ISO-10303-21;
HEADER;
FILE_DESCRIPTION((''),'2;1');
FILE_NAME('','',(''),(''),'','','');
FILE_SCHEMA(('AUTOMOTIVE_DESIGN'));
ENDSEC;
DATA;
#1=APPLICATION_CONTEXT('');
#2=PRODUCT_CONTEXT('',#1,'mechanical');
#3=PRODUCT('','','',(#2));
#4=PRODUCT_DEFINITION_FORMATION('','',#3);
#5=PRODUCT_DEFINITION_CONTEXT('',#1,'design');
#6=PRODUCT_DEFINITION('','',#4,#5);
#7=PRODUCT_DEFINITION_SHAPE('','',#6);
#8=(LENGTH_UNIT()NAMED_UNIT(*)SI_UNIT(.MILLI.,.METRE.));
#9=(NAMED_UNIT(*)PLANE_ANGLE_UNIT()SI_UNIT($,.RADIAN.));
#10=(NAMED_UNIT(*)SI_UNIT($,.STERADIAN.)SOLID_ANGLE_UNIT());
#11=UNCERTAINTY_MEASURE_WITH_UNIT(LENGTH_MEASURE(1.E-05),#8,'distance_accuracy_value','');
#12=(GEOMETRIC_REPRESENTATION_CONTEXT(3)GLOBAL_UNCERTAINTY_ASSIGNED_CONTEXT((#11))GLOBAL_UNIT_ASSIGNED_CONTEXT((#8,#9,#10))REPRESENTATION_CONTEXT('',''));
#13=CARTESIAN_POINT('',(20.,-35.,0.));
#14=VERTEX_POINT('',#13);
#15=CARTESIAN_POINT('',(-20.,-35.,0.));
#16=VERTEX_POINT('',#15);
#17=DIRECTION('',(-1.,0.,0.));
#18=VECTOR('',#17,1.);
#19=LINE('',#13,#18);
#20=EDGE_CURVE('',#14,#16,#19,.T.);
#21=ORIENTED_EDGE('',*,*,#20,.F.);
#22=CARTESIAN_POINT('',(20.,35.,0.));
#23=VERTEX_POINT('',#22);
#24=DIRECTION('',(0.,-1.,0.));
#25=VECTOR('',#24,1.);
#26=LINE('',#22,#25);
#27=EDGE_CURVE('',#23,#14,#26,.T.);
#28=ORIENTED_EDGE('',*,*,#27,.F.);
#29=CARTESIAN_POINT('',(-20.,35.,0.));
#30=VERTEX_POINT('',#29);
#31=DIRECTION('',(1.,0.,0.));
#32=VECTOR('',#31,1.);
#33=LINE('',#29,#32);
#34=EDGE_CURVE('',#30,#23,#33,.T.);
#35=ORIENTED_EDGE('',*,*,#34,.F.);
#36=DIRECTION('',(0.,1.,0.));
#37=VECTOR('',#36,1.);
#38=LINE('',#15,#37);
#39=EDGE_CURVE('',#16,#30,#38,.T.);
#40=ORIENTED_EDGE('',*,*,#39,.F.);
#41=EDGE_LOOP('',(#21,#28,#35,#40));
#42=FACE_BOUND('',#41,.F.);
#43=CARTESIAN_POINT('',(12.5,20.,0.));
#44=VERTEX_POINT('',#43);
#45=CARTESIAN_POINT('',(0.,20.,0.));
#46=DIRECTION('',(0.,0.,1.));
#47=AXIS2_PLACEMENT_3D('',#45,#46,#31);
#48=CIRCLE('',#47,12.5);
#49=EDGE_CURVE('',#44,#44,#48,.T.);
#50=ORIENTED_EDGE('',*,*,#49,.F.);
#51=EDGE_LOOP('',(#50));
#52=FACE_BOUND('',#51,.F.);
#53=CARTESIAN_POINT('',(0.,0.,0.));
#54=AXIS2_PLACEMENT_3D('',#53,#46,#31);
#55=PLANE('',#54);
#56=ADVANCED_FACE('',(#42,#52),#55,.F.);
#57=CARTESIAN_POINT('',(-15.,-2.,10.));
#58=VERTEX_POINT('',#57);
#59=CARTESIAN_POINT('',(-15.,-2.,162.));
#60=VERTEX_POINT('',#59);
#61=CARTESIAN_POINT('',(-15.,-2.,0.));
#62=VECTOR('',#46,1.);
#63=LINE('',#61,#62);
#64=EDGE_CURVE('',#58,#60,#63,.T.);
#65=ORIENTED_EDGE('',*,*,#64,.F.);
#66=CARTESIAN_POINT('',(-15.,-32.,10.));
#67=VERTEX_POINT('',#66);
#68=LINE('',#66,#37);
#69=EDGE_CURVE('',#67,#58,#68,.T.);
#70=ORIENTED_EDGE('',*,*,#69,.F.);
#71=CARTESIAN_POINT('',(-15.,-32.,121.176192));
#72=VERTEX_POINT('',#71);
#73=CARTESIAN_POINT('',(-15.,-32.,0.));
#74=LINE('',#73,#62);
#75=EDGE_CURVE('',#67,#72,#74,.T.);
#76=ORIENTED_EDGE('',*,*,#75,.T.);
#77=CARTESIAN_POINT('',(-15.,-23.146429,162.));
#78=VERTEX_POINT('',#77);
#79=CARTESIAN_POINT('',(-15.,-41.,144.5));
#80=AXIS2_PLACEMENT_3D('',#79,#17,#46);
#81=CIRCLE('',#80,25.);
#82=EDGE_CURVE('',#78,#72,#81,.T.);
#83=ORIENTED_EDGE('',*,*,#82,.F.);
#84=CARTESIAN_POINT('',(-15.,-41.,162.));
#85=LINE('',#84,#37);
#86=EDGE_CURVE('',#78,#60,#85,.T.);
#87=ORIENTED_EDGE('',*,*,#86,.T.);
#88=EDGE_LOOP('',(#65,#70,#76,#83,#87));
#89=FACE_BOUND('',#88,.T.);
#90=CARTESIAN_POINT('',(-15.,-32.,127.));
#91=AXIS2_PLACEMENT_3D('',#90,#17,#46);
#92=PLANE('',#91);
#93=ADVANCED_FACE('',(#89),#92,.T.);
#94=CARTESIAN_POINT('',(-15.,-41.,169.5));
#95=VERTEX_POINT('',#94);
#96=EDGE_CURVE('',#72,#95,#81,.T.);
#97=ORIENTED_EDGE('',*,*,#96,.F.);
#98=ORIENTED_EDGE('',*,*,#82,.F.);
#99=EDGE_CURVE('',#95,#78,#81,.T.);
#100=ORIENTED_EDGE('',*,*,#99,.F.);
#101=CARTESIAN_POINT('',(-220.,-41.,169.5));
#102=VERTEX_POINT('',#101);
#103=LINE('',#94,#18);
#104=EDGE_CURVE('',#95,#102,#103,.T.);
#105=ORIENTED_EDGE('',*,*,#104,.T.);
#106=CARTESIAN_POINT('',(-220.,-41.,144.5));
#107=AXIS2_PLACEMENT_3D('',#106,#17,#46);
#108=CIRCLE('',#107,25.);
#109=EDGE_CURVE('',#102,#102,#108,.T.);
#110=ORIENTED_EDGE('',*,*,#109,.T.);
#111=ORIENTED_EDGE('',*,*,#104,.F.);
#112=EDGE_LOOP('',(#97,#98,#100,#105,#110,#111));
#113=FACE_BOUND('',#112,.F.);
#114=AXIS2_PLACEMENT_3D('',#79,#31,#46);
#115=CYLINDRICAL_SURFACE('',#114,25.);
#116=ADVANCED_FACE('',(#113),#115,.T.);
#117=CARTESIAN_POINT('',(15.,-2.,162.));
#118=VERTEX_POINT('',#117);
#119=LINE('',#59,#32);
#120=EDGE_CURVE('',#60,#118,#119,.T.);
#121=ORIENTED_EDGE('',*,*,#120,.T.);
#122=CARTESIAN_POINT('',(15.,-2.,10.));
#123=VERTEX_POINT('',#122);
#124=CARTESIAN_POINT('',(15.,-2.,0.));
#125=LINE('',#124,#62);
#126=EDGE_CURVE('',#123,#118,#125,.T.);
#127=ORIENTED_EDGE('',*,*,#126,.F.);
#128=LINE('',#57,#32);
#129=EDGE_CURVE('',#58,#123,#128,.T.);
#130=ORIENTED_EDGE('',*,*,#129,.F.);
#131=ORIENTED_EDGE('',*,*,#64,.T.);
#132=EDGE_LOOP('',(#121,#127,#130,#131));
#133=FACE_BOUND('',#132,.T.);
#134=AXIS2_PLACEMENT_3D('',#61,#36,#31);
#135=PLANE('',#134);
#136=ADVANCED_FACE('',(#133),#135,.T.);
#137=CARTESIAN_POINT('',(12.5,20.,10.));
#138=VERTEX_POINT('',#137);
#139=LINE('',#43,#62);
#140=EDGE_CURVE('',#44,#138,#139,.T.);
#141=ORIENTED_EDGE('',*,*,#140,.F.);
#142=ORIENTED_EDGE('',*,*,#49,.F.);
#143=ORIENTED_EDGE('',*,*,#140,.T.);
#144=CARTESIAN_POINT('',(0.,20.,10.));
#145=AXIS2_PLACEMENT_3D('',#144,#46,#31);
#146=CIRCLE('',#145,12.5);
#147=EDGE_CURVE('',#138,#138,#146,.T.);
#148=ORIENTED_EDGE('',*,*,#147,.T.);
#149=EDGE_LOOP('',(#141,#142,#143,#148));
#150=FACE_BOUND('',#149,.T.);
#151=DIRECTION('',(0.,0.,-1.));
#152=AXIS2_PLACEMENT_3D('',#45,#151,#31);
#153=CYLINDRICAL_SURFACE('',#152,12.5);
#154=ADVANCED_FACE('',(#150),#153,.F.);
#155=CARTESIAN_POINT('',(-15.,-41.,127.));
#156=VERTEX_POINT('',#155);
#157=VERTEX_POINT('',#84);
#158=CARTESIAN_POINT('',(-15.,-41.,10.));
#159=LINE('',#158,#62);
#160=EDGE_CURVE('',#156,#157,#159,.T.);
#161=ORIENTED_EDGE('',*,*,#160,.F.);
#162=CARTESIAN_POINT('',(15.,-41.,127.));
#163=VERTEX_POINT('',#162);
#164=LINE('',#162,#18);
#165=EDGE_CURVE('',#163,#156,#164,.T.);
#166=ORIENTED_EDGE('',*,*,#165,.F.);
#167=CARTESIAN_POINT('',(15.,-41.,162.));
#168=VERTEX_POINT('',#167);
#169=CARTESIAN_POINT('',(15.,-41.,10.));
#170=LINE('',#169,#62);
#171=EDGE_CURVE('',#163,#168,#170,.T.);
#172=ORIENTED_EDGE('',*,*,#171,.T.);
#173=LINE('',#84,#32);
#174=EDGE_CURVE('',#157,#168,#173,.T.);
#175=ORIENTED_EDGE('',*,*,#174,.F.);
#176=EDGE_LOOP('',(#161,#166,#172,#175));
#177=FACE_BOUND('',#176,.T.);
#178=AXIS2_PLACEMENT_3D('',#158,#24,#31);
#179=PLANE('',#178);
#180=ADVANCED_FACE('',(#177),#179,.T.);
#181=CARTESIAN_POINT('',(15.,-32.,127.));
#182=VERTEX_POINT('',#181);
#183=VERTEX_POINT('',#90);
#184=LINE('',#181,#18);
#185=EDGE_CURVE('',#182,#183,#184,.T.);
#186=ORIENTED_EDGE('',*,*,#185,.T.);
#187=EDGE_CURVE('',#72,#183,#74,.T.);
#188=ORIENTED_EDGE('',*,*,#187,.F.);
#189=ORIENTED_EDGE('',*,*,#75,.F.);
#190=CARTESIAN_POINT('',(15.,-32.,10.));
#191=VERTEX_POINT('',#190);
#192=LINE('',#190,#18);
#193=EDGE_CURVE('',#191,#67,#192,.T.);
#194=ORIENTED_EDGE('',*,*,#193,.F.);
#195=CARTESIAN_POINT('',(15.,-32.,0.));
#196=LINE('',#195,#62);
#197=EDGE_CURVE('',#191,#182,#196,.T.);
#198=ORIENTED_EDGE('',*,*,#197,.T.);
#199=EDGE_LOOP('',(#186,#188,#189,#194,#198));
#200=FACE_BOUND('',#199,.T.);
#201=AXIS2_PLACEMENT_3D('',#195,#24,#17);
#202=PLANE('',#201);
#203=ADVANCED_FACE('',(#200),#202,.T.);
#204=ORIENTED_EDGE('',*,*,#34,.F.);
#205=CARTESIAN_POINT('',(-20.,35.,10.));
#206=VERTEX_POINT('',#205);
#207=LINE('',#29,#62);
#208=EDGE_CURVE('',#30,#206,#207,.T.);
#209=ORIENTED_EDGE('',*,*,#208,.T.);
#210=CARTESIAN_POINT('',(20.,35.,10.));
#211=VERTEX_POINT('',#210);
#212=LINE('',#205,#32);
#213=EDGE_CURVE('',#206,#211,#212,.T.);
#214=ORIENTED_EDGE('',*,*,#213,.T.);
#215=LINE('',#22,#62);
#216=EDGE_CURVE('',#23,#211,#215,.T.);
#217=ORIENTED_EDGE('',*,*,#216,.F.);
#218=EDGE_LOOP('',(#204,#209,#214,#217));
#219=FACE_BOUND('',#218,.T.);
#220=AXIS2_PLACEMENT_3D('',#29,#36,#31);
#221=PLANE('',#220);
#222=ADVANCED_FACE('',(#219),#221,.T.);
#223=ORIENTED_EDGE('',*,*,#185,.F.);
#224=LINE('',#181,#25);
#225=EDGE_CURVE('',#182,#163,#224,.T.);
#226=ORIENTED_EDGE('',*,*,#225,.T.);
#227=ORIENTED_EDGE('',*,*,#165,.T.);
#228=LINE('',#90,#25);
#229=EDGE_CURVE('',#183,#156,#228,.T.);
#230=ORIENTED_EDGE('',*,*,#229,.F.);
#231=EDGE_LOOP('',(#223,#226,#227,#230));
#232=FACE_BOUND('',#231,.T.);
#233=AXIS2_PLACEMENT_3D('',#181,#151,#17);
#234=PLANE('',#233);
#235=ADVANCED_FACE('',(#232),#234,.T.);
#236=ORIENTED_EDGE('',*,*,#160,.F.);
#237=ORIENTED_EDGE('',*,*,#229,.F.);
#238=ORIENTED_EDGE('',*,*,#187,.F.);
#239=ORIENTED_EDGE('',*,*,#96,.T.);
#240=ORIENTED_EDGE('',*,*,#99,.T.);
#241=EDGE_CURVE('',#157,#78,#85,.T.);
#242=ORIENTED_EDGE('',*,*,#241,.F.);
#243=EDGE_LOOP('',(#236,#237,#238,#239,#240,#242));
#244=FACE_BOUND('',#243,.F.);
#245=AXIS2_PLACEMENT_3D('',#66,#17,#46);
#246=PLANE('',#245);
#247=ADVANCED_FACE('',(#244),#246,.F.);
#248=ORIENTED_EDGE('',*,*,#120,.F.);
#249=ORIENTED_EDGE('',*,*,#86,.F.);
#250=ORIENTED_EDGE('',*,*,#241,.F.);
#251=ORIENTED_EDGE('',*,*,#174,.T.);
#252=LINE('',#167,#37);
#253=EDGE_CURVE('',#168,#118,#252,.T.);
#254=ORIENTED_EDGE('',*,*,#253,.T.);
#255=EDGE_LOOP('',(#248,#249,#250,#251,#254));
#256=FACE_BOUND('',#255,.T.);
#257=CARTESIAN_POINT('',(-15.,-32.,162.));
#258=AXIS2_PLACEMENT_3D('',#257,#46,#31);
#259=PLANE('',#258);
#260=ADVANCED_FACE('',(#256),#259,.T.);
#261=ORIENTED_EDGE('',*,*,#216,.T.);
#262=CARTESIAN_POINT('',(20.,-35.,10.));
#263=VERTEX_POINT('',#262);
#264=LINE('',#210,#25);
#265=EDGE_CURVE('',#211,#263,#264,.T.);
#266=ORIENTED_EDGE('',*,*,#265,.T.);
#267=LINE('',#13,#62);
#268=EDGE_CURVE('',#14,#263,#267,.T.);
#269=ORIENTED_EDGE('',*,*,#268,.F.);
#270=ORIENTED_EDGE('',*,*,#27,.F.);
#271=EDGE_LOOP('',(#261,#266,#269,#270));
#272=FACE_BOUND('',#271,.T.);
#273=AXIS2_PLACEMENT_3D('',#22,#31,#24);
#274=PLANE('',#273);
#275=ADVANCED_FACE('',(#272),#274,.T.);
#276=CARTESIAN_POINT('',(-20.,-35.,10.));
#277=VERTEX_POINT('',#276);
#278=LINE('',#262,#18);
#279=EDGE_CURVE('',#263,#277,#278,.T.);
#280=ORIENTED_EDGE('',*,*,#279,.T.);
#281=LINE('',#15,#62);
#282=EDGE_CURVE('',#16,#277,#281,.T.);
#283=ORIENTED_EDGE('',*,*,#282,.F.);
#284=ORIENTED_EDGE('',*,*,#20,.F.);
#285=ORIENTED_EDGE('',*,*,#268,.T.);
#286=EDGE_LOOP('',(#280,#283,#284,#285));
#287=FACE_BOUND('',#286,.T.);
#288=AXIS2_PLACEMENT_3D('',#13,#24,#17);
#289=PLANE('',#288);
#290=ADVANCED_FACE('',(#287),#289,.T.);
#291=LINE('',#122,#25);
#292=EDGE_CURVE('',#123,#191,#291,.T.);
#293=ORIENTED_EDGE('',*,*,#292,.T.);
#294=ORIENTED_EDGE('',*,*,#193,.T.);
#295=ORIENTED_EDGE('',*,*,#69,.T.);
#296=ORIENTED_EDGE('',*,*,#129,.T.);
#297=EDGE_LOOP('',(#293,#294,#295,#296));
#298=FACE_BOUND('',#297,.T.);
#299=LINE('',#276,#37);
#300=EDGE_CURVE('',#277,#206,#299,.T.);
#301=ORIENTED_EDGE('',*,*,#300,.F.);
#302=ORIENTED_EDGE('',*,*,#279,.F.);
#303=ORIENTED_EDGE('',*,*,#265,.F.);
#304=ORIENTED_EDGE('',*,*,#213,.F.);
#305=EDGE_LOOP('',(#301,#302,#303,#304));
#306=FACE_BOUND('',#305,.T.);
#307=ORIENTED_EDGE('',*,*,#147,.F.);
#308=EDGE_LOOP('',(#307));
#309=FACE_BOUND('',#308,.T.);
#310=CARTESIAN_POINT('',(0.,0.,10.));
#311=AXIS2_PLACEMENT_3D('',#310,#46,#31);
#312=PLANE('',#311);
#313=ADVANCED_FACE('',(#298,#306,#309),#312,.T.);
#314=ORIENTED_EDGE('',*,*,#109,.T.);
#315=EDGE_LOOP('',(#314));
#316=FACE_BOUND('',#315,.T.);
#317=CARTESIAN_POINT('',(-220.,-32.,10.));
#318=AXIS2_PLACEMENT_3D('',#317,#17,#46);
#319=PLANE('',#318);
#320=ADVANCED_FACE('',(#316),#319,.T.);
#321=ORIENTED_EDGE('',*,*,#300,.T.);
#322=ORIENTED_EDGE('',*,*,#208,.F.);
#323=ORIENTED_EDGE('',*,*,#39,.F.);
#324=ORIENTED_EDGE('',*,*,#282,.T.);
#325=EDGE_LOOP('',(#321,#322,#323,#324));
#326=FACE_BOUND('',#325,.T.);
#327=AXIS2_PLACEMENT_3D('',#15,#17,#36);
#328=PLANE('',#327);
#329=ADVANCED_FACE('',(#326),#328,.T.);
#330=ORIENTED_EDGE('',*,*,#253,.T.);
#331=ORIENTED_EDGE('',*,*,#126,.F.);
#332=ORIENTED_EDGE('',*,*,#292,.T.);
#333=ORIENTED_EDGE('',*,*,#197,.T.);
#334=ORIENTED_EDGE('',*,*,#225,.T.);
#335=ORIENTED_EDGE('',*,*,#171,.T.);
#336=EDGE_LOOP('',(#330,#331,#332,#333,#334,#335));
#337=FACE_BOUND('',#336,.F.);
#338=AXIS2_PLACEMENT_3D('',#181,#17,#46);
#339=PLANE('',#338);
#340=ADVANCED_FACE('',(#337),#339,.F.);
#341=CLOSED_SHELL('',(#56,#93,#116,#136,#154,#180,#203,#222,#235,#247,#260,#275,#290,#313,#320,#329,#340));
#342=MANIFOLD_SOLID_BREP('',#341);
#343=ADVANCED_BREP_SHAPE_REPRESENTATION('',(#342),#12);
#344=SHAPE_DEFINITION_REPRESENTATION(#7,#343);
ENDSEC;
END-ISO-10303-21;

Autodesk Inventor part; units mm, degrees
ref_plane "YZ Plane" through (0, 0, 0) normal (1, 0, 0) x (0, 1, 0)
ref_plane "XZ Plane" through (0, 0, 0) normal (0, 1, 0) x (-1, 0, 0)
ref_plane "XY Plane" through (0, 0, 0) normal (0, 0, 1) x (1, 0, 0)
sketch "Boceto1" plane through (0, 0, 0) normal (0, 0, 1) x (1, 0, 0)
  line L0 (-20, 35) -> (20, 35)
  line L1 (20, 35) -> (20, -35)
  line L2 (20, -35) -> (-20, -35)
  line L3 (-20, -35) -> (-20, 35)
  circle A0 centre (0, 20) radius 12.5
  line L4 (-15, -2) -> (15, -2)
  line L5 (15, -2) -> (15, -32)
  line L6 (15, -32) -> (-15, -32)
  line L7 (-15, -32) -> (-15, -2)
  point P0 (0, 0)
  point P1 (0, 35)
  point P2 (-20, 0)
  point P3 (0, -2)
  point P4 (15, -17)
  point P5 (-15, -17)
  dimension "d0" = 70
  dimension "d1" = 25
  dimension "d2" = 20
  dimension "d3" = 40
  dimension "d8" = 30
  dimension "d9" = 30
  dimension "d10" = 3
extrude "Extrusión2" add sketch "Boceto1" along normal blind 10
extrude "Extrusión3" add sketch "Boceto1" along normal blind 162 contours L4 L5 L6 L7
sketch "Boceto2" plane through (-15, -32, 10) normal (0, -1, 0) x (1, 0, 0)
  line L0 (30, 0) -> (0, 0) construction
  line L1 (30, 0) -> (30, 152) construction
  line L2 (0, 152) -> (30, 152) construction
  line L3 (0, 0) -> (0, 152) construction
  line L4 (0, 0) -> (0, 152) projected
  line L5 (30, 0) -> (30, 152) projected
  line L6 (0, 152) -> (30, 152)
  line L7 (30, 152) -> (30, 117)
  line L8 (30, 117) -> (0, 117)
  line L9 (0, 117) -> (0, 152)
  point P0 (15, -10)
  point P1 (0, 117)
  dimension "d15" = 35
extrude "Extrusión4" add sketch "Boceto2" along normal blind 9
sketch "Boceto3" plane through (-15, -32, 10) normal (-1, 0, 0) x (0, 0, 1)
  line L0 (117, -9) -> (152, -9) projected
  circle A0 centre (134.5, -9) radius 25
  point P0 (-10, 32)
  dimension "d18" = 50
extrude "Extrusión5" add sketch "Boceto3" along normal blind 205
properties part number "brazo"
